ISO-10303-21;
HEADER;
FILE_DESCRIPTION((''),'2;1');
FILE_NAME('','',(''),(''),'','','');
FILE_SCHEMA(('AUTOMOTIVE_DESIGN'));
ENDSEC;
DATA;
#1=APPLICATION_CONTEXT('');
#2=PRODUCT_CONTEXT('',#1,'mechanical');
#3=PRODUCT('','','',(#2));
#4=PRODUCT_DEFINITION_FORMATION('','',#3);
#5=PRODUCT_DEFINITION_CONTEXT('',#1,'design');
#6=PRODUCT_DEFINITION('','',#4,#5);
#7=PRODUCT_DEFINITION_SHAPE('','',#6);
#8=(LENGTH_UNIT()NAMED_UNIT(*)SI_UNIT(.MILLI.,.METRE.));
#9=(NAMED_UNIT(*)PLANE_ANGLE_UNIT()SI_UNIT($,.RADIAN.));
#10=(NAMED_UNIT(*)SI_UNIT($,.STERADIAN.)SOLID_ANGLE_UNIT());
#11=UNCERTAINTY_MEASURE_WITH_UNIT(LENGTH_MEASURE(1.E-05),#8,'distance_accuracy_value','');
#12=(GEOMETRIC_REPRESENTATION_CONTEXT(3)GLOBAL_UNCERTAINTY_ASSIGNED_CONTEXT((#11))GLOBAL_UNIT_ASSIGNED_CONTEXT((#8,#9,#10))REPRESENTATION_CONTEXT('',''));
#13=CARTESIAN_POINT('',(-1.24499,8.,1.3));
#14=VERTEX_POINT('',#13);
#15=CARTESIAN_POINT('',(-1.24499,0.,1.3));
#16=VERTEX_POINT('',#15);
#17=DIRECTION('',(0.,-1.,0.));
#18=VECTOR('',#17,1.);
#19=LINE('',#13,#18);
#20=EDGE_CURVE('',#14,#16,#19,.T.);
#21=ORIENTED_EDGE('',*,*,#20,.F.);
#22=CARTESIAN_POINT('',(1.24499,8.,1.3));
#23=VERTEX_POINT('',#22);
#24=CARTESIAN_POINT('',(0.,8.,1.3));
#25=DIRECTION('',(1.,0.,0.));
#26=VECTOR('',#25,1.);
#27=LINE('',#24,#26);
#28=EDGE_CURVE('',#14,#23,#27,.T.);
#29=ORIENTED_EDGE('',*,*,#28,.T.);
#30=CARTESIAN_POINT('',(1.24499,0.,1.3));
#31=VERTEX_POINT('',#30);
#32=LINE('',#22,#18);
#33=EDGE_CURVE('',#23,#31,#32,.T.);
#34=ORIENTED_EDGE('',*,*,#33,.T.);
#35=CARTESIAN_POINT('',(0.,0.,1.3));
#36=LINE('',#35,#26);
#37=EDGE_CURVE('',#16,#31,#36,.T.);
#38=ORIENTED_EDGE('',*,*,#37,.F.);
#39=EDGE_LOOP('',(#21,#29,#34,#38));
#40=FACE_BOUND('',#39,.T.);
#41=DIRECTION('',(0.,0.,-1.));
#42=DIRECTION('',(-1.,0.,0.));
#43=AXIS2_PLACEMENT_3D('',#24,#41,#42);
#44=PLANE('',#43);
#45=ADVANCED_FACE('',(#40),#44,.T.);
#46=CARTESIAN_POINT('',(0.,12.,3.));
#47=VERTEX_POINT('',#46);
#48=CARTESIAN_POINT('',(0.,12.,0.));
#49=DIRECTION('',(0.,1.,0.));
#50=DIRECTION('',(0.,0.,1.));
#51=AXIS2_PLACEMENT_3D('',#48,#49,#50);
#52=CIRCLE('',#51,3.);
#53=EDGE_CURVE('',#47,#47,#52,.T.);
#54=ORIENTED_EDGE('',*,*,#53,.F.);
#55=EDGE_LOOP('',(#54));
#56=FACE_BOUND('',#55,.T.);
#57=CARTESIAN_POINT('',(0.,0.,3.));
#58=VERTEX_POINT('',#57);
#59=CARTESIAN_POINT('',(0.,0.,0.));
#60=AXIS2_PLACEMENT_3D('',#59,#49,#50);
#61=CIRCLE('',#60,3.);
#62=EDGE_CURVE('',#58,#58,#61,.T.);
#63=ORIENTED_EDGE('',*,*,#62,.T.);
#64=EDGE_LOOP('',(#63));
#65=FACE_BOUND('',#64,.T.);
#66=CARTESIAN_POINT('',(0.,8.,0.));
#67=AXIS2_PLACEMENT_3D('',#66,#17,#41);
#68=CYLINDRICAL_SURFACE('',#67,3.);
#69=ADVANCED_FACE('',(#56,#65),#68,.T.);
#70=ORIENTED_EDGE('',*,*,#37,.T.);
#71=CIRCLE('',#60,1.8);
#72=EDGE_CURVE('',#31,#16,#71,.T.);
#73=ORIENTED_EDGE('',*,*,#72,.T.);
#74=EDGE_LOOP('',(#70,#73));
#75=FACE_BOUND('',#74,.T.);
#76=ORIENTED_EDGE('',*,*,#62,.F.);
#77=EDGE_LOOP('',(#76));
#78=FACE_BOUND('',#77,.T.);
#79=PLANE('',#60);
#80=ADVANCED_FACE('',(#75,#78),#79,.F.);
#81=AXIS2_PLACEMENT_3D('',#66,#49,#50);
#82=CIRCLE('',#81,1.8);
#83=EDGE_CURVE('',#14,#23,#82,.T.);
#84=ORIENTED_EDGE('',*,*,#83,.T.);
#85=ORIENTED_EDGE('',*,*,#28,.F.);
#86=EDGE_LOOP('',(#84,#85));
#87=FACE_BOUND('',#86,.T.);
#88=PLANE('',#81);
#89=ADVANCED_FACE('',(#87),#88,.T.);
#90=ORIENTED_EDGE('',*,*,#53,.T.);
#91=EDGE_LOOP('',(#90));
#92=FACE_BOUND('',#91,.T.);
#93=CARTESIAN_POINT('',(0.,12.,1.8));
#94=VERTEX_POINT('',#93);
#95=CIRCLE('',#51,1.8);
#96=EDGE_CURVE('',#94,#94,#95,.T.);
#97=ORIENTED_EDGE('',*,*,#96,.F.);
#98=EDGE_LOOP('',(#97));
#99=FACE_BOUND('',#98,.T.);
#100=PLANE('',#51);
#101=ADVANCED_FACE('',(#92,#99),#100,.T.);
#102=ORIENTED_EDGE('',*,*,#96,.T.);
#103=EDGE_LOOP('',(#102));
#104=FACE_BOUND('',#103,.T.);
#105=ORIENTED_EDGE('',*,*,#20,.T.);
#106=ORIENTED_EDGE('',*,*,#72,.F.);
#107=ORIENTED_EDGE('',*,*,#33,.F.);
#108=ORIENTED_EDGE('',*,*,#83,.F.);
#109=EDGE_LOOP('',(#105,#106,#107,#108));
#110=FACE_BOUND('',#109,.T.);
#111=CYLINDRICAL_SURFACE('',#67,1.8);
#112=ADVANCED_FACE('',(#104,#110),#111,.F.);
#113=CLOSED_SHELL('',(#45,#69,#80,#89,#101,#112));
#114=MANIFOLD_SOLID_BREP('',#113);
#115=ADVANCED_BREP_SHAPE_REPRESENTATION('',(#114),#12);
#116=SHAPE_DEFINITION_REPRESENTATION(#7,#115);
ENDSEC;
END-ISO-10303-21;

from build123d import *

# Parameters (mm, degrees)
SKETCH_1_R      = 3
EXTRUDE_1_DEPTH = 8
SKETCH_2_R      = 3
SKETCH_2_R_2    = 1.8
EXTRUDE_2_DEPTH = 4


with BuildPart() as part:
    # 草图1 → 凸台-拉伸1 (new body)
    with BuildSketch(Plane(origin=(0, 0, 0), x_dir=(1, 0, 0), z_dir=(0, 1, 0))):
        Circle(SKETCH_1_R)
        with BuildLine():
            ThreePointArc((1.24498996, -1.3), (0, 1.8), (-1.24498996, -1.3))
            Line((-1.24498996, -1.3), (1.24498996, -1.3))
        make_face(mode=Mode.SUBTRACT)
    extrude(amount=EXTRUDE_1_DEPTH)

    # 草图2 → 凸台-拉伸2 (add)
    with BuildSketch(Plane(origin=(0, 8, 0), x_dir=(1, 0, 0), z_dir=(0, 1, 0))):
        Circle(SKETCH_2_R)
        Circle(SKETCH_2_R_2, mode=Mode.SUBTRACT)
    extrude(amount=EXTRUDE_2_DEPTH)


solid = part.part
